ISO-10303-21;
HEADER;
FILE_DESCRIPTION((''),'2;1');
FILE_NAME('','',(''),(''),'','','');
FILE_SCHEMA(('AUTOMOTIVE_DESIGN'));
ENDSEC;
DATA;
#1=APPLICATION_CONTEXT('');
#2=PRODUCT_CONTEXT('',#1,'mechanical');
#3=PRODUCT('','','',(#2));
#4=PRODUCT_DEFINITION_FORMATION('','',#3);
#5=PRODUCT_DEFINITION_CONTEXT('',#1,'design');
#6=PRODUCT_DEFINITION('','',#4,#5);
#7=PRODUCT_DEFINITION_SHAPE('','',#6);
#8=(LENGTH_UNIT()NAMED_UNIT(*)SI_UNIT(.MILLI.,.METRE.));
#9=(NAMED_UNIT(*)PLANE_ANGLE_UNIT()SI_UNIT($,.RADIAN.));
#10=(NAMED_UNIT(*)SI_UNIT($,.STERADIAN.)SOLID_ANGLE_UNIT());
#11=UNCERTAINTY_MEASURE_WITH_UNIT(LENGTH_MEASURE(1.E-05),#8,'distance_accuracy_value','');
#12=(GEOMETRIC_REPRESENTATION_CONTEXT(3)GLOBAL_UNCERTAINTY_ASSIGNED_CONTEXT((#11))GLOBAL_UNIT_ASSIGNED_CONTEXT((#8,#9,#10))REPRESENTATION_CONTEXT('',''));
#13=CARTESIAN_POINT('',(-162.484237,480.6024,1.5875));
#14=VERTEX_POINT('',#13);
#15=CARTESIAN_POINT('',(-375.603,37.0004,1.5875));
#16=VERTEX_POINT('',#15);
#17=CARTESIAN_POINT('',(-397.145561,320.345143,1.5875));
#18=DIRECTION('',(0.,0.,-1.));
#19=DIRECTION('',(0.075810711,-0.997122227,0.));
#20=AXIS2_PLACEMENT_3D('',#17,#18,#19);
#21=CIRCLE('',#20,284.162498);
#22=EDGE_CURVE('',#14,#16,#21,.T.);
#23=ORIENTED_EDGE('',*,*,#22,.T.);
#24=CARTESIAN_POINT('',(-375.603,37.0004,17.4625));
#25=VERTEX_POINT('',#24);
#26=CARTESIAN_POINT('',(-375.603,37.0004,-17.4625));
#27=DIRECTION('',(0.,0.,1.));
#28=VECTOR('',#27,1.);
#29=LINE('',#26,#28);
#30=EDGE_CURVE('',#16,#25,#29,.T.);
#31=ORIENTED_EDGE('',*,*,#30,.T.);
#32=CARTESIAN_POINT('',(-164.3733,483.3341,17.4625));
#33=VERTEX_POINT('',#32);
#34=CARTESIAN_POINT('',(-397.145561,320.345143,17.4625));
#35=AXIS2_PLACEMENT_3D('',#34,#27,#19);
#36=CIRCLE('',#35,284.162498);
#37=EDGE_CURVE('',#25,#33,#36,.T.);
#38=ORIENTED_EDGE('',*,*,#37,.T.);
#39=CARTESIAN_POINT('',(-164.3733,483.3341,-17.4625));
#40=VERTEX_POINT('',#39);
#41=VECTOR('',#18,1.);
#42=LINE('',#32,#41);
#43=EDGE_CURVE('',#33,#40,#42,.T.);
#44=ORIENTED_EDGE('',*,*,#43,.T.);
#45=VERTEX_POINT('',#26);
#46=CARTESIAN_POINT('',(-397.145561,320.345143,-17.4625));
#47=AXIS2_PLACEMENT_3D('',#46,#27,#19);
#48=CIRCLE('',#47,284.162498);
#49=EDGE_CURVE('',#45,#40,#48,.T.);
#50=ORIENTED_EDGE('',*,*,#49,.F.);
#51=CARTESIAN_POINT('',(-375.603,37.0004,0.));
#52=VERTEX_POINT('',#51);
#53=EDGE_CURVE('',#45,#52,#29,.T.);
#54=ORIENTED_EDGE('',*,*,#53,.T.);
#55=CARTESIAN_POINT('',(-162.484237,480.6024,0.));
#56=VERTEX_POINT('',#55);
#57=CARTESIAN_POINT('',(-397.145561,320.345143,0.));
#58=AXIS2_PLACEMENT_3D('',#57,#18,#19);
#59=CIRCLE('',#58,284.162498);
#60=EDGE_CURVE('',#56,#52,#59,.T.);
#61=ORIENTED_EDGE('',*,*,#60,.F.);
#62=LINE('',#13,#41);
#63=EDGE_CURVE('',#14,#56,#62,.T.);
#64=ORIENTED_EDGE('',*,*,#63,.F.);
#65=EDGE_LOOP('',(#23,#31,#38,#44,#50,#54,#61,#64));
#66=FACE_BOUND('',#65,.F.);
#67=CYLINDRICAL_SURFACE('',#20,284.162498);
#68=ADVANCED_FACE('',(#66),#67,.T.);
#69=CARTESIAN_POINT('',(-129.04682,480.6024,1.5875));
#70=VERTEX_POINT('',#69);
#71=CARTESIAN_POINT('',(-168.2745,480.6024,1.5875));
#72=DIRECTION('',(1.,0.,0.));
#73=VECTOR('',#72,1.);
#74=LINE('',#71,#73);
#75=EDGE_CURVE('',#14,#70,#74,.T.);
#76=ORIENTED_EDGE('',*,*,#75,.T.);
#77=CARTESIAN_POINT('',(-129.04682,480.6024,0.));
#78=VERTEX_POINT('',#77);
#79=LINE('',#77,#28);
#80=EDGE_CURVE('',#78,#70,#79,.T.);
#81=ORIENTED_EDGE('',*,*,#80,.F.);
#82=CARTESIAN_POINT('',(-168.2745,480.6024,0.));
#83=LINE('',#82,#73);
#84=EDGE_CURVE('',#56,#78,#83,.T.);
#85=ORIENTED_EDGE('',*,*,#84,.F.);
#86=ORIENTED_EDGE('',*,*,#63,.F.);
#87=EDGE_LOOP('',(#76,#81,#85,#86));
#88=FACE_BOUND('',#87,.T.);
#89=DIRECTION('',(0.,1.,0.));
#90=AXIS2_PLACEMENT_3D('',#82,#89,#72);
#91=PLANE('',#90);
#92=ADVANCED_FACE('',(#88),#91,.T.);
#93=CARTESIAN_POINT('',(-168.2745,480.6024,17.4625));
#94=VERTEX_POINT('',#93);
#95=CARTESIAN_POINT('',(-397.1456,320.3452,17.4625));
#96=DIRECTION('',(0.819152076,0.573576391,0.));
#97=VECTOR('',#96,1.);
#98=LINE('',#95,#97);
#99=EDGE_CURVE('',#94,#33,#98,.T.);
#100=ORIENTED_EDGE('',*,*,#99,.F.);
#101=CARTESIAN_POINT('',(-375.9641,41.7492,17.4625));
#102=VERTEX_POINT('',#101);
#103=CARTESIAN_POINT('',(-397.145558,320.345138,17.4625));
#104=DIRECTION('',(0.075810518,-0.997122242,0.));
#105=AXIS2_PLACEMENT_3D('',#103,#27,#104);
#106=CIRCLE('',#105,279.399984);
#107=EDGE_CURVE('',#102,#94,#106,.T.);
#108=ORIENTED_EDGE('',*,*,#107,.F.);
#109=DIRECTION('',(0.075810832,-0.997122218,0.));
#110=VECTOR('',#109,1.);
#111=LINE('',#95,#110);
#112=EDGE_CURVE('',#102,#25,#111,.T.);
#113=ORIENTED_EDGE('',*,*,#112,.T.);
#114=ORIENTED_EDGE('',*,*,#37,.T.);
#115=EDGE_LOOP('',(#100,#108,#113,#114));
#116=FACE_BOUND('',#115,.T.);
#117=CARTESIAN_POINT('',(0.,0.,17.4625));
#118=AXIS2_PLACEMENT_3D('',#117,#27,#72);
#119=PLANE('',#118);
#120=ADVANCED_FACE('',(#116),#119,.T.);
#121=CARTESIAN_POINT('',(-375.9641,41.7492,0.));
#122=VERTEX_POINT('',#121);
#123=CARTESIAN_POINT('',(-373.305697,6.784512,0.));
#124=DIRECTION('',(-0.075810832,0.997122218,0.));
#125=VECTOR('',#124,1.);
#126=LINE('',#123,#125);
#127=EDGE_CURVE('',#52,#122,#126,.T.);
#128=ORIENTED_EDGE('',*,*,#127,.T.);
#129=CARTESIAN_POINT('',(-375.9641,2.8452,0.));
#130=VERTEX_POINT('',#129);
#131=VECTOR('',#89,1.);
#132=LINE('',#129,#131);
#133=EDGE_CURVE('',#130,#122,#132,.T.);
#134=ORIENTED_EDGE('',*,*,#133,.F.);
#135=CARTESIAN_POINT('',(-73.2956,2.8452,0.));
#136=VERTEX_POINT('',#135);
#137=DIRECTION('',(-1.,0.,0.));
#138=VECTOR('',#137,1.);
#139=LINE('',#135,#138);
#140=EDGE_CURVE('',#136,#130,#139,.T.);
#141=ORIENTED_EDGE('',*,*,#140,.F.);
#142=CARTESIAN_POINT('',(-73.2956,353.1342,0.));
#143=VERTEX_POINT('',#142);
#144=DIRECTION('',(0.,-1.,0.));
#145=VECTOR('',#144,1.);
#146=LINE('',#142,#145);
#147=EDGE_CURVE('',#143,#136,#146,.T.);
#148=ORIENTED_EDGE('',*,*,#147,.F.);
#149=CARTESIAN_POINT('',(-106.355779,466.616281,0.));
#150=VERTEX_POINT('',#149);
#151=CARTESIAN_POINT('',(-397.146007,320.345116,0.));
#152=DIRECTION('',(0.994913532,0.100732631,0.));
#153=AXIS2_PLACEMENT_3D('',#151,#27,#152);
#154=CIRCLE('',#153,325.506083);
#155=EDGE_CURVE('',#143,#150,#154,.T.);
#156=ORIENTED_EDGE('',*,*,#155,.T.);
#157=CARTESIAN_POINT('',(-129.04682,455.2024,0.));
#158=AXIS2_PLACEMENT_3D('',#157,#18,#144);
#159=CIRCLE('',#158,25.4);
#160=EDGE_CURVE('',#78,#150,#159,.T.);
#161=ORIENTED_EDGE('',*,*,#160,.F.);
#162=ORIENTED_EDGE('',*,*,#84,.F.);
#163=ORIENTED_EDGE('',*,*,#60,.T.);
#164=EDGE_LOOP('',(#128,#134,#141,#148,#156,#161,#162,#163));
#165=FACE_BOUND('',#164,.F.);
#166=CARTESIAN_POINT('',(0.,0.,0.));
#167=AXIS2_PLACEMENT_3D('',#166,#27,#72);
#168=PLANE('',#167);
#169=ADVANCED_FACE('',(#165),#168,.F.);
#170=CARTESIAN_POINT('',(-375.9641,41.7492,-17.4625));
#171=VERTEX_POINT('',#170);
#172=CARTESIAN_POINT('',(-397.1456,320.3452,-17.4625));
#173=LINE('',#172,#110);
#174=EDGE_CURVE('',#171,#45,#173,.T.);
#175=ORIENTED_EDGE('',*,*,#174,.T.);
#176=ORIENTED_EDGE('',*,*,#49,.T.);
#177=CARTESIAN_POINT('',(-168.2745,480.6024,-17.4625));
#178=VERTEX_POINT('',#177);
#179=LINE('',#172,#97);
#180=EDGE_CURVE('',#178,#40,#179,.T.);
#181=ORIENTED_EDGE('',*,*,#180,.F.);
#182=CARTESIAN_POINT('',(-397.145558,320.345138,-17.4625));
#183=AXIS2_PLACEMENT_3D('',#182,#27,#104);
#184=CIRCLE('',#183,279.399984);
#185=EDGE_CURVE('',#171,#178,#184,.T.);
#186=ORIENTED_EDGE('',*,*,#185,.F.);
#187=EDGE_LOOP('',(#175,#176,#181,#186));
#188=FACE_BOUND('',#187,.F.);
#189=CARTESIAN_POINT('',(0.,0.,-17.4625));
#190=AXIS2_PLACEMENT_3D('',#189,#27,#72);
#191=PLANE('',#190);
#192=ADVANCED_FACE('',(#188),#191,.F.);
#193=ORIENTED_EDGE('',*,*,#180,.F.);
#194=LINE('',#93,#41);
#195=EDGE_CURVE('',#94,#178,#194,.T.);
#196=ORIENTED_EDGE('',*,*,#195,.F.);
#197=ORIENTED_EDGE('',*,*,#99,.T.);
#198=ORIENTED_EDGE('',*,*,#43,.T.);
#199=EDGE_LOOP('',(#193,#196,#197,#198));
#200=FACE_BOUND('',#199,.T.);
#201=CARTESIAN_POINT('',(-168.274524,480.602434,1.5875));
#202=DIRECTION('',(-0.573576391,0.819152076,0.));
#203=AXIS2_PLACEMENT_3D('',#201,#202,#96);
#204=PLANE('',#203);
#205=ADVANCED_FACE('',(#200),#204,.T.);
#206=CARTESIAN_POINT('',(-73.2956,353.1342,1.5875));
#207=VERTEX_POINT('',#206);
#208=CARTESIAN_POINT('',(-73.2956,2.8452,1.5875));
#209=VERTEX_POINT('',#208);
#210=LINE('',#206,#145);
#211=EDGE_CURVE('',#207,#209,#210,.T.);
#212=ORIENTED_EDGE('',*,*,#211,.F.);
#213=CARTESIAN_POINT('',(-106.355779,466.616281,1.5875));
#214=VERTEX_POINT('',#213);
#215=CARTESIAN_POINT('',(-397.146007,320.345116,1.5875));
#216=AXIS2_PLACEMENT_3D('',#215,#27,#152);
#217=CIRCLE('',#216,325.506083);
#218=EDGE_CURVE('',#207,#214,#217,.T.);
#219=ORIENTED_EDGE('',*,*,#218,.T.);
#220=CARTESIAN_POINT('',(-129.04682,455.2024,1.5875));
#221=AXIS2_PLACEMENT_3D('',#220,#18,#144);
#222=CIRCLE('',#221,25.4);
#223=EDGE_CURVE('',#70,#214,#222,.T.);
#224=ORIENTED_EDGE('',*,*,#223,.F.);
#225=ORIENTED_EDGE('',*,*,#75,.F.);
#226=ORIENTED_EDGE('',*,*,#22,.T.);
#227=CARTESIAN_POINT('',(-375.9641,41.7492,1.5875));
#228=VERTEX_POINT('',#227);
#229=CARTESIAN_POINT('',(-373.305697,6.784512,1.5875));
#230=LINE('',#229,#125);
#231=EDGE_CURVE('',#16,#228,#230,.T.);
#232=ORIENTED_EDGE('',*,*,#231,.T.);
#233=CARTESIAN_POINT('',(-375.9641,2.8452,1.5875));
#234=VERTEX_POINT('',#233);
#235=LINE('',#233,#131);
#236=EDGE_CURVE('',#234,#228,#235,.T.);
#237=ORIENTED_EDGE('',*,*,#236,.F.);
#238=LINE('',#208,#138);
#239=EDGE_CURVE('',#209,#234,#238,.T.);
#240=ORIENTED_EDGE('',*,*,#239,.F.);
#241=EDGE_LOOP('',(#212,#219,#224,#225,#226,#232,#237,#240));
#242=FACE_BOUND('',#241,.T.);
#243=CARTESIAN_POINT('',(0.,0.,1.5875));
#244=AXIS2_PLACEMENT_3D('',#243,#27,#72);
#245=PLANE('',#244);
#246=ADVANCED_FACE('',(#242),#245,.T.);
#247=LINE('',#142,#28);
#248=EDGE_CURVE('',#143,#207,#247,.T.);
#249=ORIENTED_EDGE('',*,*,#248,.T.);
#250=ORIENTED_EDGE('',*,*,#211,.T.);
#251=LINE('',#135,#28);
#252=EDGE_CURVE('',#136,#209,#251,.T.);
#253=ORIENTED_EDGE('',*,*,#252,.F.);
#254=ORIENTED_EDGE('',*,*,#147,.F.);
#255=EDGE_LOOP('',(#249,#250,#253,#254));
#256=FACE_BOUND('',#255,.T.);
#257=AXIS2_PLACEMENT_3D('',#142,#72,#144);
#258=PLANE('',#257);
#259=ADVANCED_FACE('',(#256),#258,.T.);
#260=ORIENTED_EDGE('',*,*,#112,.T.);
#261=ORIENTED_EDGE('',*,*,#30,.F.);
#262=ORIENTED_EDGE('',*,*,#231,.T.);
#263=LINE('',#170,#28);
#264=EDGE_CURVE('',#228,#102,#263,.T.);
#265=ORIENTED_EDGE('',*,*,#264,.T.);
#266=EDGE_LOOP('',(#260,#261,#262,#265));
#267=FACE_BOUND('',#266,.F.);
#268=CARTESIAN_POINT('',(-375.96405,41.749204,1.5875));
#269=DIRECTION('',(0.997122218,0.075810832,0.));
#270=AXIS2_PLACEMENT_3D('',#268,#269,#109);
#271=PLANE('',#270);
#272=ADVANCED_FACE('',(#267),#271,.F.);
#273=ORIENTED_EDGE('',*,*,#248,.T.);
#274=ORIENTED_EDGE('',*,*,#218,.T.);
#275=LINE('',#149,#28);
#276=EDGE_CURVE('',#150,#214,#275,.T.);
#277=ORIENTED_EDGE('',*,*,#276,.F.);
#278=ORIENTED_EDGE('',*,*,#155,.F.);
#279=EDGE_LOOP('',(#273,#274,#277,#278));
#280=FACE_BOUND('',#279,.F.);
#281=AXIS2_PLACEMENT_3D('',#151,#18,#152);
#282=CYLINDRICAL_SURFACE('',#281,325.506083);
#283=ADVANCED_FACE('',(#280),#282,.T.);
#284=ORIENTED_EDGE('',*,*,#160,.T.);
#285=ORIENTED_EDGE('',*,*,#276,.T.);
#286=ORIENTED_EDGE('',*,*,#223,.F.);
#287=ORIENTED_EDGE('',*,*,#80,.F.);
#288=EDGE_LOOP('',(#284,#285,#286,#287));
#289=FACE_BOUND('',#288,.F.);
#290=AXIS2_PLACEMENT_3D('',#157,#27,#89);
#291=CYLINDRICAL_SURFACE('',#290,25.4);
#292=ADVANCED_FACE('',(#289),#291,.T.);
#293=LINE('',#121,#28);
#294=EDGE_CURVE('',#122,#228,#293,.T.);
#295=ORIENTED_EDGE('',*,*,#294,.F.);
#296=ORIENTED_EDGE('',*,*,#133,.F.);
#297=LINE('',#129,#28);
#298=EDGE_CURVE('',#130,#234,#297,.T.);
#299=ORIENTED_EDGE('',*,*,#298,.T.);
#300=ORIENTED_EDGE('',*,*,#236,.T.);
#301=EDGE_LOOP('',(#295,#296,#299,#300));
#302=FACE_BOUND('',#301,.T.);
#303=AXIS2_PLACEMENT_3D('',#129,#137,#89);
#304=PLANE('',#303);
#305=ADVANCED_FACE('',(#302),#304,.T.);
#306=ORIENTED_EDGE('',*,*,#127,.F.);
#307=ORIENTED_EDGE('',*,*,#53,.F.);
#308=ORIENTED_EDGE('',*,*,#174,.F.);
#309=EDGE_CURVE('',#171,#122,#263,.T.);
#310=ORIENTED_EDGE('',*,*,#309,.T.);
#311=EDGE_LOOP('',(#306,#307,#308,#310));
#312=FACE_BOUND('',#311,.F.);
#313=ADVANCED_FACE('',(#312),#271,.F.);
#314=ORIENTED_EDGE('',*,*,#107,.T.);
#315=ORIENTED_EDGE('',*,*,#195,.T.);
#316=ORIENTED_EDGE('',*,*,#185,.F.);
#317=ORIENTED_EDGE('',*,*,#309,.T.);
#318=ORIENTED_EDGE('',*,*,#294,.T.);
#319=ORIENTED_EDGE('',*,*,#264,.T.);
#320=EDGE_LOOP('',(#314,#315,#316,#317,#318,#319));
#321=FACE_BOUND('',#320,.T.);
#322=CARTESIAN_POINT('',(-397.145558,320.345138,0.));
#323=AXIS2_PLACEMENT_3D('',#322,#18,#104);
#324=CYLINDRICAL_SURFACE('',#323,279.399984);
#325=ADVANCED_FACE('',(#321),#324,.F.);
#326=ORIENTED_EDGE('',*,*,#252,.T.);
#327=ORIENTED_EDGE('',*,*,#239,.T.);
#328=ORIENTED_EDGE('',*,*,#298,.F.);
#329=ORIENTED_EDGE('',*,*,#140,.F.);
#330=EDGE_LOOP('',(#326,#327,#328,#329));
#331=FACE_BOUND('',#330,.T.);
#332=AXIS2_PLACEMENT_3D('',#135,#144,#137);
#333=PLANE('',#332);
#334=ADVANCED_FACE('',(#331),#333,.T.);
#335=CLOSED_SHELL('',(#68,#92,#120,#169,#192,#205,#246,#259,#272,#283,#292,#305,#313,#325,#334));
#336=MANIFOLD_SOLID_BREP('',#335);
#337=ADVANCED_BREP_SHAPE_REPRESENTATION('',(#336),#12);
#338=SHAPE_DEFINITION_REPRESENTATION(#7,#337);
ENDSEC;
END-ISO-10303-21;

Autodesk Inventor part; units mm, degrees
ref_plane "YZ Plane" through (0, 0, 0) normal (1, 0, 0) x (0, 1, 0)
ref_plane "XZ Plane" through (0, 0, 0) normal (0, 1, 0) x (-1, 0, 0)
ref_plane "XY Plane" through (0, 0, 0) normal (0, 0, 1) x (1, 0, 0)
sketch "Sketch1" plane through (0, 0, 0) normal (0, 0, 1) x (1, 0, 0)
  line L0 (-168.2745, 480.6024) -> (-113.8232, 480.6024)
  line L1 (-73.2956, 353.1342) -> (-73.2956, 2.8452)
  line L2 (-73.2956, 2.8452) -> (-375.9641, 2.8452)
  line L3 (-375.9641, 2.8452) -> (-375.9641, 41.7492)
  arc A0 (-375.9641, 41.7492) -> (-168.2745, 480.6024) centre (-397.1456, 320.3452) ccw
  line L4 (-168.2745, 480.6024) -> (-245.12, 590.3492) construction
  line L5 (-245.12, 590.3492) -> (-245.12, 480.6024) construction
  line L6 (-245.12, 480.6024) -> (-168.2745, 480.6024) construction
  line L7 (-117.7456, 320.3452) -> (-117.7456, 124.3972) construction
  line L8 (-397.1456, 40.9452) -> (-554.9899, 40.9452) construction
  arc A1 (-73.2956, 353.1342) -> (-113.8232, 480.6024) centre (-397.1456, 320.3452) ccw
  dimension "d4" = 279.4
  dimension "d6" = 55
  dimension "d17" = 44.45
  dimension "d22" = 38.1
extrude "Extrusion1" add sketch "Sketch1" along normal blind 1.5875
sketch "Sketch2" plane through (0, 0, 1.5875) normal (0, 0, 1) x (1, 0, 0)
  arc A0 (-375.9641, 41.7492) -> (-168.2745, 480.6024) centre (-397.1456, 320.3452) ccw projected
  arc A1 (-375.9641, 41.7492) -> (-168.2745, 480.6024) centre (-397.1456, 320.3452) ccw
  arc A2 (-375.603, 37.0004) -> (-164.3733, 483.3341) centre (-397.1456, 320.3452) ccw
  line L0 (-397.1456, 320.3452) -> (-164.3733, 483.3341)
  line L1 (-168.2745, 480.6024) -> (-164.3733, 483.3341)
  line L2 (-397.1456, 320.3452) -> (-375.603, 37.0004)
  line L3 (-375.603, 37.0004) -> (-375.9641, 41.7492)
  point P0 (0, 0)
  dimension "d21" = 4.7625
extrude "Extrusion2" add sketch "Sketch2" along normal blind 15.875 and the other way blind 19.05 contours A0 L0 A2 L2
fillet "Fillet1" radius 25.4 1 edges at (-113.8232, 480.6024, 0.7937)
properties part number "ShooterCurve" material "Aluminum-6061"
